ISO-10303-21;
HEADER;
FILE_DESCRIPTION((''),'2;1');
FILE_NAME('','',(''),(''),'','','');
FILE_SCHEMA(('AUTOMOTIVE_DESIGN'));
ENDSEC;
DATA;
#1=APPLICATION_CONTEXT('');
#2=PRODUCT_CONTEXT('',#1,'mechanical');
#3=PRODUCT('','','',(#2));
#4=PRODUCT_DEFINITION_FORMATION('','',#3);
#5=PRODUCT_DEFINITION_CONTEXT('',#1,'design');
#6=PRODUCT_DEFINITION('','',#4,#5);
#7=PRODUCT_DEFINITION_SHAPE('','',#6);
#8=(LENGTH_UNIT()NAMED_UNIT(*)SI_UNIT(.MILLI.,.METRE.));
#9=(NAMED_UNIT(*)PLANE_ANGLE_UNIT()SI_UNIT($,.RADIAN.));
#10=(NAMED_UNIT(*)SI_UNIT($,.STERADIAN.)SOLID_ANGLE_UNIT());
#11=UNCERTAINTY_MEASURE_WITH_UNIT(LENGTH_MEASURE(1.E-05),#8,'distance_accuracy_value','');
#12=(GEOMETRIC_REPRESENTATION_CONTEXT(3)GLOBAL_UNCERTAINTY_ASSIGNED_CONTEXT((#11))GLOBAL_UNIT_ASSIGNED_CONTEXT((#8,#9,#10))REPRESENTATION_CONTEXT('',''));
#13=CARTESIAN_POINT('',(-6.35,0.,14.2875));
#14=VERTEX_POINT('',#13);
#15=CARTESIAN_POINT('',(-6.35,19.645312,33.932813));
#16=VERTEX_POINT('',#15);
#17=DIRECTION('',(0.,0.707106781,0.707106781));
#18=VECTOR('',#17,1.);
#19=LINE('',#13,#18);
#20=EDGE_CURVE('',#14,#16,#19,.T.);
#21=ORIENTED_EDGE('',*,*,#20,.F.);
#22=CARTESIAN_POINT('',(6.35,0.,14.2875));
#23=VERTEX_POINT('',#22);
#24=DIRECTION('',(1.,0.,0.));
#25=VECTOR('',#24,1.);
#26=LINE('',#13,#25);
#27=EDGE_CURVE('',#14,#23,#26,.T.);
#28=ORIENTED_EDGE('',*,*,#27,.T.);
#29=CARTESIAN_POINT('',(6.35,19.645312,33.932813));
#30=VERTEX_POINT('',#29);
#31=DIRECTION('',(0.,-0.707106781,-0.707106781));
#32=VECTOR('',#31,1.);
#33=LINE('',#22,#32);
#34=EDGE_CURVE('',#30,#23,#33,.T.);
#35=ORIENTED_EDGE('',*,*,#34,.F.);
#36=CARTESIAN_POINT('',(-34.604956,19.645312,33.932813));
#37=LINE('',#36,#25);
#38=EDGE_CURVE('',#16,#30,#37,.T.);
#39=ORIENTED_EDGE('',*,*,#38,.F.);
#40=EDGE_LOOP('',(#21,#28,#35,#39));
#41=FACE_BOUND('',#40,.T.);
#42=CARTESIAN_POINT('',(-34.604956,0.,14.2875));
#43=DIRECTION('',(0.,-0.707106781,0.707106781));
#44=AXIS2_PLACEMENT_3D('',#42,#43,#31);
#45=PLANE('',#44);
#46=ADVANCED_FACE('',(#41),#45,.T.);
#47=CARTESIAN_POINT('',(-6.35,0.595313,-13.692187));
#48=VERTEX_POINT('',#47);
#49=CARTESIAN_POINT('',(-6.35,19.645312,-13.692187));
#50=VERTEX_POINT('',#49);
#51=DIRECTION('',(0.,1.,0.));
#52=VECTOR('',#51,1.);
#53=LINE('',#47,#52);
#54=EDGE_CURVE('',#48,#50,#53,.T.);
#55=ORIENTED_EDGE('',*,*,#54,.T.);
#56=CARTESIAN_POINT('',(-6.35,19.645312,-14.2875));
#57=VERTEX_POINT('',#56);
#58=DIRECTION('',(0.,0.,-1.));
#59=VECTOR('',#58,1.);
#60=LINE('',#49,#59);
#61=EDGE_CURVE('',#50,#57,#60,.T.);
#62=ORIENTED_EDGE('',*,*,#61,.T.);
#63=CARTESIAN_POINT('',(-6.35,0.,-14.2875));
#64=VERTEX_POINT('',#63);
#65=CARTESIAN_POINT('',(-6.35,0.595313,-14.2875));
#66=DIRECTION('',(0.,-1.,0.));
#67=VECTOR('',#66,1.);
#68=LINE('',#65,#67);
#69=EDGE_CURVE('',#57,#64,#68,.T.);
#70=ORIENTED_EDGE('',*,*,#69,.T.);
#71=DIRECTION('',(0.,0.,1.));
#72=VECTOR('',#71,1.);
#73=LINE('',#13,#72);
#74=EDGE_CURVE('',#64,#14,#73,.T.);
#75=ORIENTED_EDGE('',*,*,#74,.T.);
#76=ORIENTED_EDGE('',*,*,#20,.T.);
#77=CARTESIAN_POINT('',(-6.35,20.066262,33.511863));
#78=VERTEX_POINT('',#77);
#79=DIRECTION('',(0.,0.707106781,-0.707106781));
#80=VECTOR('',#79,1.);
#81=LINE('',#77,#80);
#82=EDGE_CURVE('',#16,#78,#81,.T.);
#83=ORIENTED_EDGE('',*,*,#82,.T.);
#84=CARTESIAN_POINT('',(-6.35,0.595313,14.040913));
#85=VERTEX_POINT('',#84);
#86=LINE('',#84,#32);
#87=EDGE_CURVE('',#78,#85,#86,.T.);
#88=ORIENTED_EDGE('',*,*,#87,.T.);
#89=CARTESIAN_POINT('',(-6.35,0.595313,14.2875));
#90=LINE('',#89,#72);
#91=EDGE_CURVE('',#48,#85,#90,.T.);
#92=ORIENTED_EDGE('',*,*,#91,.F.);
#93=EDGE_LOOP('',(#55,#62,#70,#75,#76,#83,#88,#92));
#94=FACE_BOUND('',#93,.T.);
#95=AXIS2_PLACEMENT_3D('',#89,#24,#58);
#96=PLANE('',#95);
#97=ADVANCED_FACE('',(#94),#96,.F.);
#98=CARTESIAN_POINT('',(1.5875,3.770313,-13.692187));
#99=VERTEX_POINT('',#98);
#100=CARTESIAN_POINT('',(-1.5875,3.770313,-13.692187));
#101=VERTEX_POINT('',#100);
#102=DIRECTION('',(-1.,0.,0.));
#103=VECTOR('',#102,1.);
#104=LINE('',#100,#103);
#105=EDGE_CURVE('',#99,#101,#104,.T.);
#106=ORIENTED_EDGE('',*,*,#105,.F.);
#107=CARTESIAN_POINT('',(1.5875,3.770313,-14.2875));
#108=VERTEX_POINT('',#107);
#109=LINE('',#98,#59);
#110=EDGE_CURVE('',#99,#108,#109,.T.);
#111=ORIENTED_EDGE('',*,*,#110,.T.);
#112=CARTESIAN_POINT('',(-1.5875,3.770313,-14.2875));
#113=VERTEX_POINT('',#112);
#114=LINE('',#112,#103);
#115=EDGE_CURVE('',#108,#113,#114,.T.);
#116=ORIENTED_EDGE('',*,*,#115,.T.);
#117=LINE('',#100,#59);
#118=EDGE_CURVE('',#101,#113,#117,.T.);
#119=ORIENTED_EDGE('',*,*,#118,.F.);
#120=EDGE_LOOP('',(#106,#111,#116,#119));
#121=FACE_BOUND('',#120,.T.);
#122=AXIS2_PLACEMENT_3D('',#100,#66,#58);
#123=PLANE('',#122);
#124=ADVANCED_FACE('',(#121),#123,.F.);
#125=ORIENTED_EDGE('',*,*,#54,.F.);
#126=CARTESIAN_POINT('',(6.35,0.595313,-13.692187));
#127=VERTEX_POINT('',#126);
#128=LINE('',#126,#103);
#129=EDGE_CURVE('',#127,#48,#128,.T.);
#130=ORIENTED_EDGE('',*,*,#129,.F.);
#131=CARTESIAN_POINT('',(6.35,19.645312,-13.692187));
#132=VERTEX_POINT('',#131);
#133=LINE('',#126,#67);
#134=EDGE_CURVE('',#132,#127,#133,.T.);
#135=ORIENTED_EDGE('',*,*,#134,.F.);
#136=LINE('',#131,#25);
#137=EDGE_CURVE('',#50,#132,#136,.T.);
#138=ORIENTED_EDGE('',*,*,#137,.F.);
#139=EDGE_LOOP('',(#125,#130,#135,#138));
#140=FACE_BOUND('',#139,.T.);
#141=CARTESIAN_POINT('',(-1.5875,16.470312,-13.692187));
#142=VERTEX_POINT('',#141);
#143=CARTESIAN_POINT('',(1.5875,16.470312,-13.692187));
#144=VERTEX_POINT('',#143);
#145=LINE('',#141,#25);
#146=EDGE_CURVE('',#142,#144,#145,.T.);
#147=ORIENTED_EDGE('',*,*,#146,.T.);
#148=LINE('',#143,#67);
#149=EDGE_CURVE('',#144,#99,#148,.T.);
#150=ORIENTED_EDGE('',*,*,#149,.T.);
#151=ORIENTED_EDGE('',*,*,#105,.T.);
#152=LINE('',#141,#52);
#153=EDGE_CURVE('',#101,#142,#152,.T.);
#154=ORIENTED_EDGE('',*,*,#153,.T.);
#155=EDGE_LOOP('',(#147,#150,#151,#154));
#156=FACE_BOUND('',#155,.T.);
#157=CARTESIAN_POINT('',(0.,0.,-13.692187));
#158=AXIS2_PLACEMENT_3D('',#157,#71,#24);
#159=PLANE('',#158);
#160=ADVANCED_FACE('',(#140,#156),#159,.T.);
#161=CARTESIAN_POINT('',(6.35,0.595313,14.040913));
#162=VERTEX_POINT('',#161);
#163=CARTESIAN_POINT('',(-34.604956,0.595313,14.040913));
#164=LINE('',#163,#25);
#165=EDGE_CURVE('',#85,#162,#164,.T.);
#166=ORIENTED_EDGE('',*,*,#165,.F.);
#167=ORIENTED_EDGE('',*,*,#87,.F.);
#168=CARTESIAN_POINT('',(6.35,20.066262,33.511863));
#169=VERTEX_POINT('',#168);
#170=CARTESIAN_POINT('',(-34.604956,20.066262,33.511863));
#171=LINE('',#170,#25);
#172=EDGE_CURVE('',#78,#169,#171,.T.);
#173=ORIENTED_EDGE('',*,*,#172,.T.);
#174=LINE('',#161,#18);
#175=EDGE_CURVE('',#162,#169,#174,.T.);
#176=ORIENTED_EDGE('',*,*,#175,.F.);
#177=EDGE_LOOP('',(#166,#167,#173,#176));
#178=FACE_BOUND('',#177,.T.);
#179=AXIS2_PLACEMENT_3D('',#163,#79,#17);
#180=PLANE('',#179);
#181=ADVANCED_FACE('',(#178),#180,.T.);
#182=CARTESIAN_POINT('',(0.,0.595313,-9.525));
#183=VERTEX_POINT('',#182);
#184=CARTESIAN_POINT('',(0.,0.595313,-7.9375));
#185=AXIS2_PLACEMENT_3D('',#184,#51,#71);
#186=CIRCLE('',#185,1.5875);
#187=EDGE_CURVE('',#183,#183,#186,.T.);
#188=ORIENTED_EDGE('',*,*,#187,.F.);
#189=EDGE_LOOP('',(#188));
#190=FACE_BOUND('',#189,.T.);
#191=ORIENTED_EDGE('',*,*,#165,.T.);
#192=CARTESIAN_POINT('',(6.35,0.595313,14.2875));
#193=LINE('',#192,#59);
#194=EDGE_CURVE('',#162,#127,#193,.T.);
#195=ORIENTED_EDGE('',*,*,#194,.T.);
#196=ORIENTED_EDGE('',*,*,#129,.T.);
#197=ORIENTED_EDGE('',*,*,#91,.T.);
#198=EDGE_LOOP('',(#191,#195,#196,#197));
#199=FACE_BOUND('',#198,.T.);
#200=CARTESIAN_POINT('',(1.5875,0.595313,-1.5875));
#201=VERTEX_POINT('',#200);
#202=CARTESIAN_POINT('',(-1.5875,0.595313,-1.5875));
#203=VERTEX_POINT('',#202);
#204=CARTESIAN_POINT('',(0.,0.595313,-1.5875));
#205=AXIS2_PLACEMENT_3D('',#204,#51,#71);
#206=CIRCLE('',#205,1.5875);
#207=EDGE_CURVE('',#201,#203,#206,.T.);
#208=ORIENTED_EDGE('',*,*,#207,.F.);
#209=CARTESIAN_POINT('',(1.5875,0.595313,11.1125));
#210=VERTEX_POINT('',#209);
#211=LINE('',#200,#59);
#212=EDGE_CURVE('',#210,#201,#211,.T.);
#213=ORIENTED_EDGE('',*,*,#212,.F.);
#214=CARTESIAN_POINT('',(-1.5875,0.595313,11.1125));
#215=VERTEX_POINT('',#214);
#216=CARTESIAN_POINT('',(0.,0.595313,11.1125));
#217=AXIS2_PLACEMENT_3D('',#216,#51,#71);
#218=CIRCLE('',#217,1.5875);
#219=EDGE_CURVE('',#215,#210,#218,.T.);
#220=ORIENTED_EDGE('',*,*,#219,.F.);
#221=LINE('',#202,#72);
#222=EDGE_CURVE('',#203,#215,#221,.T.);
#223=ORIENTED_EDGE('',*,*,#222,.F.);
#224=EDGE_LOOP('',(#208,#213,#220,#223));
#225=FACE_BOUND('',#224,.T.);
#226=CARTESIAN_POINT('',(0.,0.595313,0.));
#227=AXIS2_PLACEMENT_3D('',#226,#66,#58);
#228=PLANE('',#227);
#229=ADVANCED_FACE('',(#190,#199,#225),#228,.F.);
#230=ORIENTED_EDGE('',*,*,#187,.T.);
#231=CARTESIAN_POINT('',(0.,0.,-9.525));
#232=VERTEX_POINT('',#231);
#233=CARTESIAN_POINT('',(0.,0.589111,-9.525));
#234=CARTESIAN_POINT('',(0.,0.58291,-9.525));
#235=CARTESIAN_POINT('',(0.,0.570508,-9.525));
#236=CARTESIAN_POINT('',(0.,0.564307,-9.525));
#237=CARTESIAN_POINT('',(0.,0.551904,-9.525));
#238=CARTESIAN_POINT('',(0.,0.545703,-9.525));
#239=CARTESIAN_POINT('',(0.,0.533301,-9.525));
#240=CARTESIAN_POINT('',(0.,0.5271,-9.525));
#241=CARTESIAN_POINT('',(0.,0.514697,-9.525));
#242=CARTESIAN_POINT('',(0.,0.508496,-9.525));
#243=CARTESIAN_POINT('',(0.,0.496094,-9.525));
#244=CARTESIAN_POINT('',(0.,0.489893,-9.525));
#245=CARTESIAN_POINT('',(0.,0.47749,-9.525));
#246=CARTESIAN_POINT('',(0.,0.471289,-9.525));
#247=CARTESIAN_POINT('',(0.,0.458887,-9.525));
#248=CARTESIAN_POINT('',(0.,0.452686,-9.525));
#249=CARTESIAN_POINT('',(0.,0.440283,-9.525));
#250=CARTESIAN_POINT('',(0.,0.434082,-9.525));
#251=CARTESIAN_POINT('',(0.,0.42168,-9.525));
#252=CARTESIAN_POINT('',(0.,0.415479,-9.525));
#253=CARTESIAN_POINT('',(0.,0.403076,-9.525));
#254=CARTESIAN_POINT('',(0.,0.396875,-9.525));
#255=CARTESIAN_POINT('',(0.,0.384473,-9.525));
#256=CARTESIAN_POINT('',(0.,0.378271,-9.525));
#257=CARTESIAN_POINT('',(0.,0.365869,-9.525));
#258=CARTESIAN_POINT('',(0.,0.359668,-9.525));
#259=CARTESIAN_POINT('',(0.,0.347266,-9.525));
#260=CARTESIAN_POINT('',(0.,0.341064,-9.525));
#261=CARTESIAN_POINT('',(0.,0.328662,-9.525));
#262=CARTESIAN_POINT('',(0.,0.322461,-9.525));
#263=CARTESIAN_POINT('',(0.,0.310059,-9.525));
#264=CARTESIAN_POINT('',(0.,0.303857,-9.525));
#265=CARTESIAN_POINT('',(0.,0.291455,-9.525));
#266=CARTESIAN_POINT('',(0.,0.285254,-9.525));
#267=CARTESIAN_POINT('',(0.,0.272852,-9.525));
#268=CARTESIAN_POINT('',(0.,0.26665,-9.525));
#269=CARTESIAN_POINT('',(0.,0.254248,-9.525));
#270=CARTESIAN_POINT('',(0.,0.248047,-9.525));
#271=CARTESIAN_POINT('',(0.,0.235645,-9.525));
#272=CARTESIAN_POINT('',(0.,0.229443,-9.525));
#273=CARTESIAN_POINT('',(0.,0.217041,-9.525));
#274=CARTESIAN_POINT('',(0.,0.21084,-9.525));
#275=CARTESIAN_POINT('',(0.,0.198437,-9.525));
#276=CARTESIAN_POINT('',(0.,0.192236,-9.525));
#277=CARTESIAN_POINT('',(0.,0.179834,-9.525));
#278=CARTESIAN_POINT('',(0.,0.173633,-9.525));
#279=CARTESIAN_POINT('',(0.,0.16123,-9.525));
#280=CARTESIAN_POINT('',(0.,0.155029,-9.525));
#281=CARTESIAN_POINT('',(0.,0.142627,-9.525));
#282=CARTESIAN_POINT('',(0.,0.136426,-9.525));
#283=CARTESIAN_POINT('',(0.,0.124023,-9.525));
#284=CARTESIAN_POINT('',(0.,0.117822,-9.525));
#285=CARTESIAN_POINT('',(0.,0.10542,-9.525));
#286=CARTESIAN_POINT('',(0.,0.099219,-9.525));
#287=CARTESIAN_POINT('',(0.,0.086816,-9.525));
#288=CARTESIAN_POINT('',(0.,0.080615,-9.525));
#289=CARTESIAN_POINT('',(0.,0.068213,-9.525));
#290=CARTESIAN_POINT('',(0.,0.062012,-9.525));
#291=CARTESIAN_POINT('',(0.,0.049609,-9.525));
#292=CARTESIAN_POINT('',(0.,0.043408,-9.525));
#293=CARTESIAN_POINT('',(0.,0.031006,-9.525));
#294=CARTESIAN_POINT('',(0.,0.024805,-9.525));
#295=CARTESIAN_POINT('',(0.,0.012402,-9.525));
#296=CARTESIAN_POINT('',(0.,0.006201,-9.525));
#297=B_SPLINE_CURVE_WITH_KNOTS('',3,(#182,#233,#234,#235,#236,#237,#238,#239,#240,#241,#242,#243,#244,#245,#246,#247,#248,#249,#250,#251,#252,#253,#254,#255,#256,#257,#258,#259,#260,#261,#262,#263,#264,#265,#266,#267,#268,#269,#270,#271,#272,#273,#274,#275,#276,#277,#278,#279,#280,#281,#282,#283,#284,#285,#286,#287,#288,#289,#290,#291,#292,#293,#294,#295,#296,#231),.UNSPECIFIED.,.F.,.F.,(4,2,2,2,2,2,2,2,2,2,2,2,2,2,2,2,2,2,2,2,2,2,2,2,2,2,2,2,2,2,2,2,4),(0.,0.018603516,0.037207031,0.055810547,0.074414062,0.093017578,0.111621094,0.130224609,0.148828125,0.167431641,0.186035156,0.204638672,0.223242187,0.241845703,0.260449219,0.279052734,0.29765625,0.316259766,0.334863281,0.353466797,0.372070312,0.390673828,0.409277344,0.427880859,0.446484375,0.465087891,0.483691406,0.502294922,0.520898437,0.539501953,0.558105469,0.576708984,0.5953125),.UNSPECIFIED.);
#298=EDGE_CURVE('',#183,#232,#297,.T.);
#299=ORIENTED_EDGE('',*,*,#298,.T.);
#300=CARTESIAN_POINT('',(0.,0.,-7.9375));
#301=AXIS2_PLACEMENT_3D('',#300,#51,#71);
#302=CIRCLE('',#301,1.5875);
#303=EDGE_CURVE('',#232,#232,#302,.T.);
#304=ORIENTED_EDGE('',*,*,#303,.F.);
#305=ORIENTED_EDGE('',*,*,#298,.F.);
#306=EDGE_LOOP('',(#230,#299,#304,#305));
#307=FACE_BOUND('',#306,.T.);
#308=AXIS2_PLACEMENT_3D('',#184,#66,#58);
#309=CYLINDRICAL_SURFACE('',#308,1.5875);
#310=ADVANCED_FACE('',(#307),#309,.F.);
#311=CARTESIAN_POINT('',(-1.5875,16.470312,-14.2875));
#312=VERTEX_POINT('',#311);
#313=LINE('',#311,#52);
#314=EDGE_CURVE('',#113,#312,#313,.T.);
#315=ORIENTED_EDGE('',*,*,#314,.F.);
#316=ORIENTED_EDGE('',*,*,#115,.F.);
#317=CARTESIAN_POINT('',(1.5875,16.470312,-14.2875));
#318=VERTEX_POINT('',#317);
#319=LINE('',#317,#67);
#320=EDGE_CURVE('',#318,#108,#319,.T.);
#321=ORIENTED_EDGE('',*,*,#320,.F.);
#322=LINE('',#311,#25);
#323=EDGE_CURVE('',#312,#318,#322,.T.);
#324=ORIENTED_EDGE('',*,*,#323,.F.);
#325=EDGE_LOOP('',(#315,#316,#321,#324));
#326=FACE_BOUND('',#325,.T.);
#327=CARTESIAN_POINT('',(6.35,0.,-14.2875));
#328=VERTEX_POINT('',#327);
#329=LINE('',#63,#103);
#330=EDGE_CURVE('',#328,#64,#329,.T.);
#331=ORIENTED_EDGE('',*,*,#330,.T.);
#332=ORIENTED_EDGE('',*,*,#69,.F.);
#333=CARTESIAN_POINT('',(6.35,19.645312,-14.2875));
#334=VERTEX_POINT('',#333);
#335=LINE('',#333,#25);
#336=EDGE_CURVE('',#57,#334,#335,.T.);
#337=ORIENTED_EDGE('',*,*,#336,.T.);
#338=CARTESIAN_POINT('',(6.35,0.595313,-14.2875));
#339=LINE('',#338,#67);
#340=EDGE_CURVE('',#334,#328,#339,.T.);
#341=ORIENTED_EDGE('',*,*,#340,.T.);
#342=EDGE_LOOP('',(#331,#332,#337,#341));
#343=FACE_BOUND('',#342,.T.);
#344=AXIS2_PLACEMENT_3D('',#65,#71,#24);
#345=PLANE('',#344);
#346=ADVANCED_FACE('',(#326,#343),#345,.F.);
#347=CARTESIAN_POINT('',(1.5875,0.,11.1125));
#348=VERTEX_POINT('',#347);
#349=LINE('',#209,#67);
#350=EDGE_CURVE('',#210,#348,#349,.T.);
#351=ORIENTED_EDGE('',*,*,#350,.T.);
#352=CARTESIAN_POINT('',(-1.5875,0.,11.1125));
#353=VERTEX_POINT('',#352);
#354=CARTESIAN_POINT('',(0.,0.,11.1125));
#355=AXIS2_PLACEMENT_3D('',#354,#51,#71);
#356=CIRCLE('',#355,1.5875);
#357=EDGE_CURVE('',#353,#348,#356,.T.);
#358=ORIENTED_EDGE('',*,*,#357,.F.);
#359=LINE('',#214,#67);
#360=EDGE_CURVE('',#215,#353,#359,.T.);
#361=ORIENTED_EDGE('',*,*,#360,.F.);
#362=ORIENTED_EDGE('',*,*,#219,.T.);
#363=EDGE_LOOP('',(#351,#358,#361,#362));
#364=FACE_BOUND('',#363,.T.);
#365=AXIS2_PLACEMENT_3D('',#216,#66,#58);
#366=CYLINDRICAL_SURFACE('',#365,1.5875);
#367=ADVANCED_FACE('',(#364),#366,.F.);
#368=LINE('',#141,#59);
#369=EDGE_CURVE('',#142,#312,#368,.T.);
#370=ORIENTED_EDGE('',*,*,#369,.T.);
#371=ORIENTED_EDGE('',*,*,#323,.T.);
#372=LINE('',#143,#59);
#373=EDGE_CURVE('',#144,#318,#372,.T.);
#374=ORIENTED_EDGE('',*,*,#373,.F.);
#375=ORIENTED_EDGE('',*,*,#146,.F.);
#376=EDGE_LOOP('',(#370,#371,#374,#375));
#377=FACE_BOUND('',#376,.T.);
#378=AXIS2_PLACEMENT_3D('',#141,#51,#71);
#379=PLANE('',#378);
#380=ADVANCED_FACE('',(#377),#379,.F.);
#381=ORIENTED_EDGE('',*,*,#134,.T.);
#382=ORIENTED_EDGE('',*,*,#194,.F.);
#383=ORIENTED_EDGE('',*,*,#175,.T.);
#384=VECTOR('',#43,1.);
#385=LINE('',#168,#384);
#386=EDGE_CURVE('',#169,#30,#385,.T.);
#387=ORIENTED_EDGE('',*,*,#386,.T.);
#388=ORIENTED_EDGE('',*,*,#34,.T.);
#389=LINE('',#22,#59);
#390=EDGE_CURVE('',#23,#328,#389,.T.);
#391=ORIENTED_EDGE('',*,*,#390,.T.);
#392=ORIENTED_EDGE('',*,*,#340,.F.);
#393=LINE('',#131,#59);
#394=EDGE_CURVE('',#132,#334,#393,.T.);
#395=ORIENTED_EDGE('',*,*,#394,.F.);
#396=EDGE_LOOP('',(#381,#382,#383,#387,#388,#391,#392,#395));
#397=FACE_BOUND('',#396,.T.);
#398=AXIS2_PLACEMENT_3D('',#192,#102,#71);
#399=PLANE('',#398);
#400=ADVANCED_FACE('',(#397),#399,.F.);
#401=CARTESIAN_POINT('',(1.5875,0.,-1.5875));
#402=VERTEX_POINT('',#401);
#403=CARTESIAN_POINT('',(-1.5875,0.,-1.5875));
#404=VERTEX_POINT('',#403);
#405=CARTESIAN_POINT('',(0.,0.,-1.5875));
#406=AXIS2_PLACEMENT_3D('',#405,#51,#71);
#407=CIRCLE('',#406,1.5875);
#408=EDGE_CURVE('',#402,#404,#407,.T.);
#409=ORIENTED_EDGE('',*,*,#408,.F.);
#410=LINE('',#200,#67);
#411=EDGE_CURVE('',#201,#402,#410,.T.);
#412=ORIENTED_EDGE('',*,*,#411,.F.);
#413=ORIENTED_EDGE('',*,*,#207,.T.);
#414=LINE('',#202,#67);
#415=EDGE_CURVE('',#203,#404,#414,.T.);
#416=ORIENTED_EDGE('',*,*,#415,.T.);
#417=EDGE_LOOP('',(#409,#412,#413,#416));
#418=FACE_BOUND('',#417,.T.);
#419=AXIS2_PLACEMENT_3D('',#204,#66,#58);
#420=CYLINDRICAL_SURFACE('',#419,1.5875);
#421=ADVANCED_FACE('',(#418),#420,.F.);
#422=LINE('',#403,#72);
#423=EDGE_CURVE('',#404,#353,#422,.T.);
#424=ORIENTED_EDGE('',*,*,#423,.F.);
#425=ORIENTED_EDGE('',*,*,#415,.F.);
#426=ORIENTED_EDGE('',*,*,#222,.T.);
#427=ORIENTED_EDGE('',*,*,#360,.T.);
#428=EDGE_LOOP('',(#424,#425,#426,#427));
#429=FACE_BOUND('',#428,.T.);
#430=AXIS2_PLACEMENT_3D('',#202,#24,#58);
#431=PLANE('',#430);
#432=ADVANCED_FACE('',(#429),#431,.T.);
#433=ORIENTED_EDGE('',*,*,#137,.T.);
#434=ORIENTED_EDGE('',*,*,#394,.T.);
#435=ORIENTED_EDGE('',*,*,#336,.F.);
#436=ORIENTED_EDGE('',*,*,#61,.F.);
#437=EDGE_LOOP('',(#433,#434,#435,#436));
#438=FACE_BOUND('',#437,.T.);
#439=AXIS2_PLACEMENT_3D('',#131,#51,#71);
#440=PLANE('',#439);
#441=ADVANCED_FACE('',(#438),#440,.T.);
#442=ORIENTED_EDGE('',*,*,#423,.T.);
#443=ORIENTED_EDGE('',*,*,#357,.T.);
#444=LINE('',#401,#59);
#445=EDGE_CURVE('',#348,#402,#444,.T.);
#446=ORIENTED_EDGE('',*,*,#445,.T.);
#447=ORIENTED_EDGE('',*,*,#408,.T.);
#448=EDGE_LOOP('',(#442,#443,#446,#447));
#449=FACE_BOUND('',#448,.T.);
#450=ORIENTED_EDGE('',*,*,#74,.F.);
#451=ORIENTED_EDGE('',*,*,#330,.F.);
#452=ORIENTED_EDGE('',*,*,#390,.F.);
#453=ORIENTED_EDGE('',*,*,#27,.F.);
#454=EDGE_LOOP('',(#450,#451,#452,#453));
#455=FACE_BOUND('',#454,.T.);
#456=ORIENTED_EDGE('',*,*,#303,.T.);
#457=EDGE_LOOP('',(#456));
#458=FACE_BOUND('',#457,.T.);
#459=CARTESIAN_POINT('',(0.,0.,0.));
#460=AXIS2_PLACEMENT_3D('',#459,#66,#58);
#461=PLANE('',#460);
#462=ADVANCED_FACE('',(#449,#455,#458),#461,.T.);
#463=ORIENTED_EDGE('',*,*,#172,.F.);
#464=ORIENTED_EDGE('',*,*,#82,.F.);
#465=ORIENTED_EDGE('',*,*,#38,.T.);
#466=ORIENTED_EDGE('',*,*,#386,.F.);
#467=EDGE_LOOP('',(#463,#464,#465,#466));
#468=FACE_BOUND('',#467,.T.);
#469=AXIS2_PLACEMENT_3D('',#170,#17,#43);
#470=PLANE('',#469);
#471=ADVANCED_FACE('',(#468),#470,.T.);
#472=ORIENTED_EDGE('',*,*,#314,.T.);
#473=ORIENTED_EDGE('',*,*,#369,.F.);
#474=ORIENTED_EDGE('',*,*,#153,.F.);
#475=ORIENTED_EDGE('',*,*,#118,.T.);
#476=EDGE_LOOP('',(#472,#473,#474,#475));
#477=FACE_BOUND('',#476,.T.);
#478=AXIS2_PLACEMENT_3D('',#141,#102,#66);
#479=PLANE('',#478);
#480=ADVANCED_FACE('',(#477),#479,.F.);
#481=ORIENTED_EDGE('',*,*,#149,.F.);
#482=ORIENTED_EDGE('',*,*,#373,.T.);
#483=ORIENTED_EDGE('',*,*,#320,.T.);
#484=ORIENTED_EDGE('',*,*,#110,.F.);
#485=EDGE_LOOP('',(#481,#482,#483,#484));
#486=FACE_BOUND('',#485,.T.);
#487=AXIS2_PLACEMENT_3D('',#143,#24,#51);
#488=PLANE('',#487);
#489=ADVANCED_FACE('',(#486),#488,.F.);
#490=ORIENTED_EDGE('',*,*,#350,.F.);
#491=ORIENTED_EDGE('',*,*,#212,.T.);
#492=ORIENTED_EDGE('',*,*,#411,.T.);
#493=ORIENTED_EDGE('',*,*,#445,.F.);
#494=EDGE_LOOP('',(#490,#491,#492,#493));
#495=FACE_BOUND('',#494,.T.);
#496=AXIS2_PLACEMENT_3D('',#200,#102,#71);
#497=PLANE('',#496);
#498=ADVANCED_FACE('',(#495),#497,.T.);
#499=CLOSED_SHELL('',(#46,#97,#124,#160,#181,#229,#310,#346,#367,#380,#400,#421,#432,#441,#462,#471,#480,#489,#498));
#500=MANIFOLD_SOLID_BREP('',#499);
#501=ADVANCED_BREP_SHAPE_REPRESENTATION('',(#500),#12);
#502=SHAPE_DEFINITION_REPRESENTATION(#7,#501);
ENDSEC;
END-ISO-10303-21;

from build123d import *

# Parameters (mm, degrees)
SKETCH1_W           = 12.7
SKETCH1_H           = 28.575
SKETCH1_R           = 1.5875
BOSS_EXTRUDE1_DEPTH = 0.5953125
SKETCH3_W           = 12.7
SKETCH3_H           = 19.05
SKETCH3_W_2         = 3.175
SKETCH3_H_2         = 12.7
BOSS_EXTRUDE2_DEPTH = 0.5953125
BOSS_EXTRUDE3_DEPTH = 12.7


with BuildPart() as part:
    # Sketch1 → Boss-Extrude1 (new body)
    with BuildSketch(Plane(origin=(0, 0, 0), x_dir=(1, 0, 0), z_dir=(0, 1, 0))):
        Rectangle(SKETCH1_W, SKETCH1_H)
        with Locations(Location((0, 7.9375, 0), (0, 0, 90))):
            Circle(SKETCH1_R, mode=Mode.SUBTRACT)
        with BuildLine():
            Line((1.5875, 1.5875), (1.5875, -11.1125))
            ThreePointArc((1.5875, -11.1125), (0, -12.7), (-1.5875, -11.1125))
            Line((-1.5875, -11.1125), (-1.5875, 1.5875))
            ThreePointArc((-1.5875, 1.5875), (0, 3.175), (1.5875, 1.5875))
        make_face(mode=Mode.SUBTRACT)
    extrude(amount=BOSS_EXTRUDE1_DEPTH)

    # Sketch3 → Boss-Extrude2 (add)
    with BuildSketch(Plane(origin=(0, 0, -14.2875), x_dir=(-1, 0, 0), z_dir=(0, 0, -1))):
        with Locations((0, 10.1203125)):
            Rectangle(SKETCH3_W, SKETCH3_H)
        with Locations((0, 10.1203125)):
            Rectangle(SKETCH3_W_2, SKETCH3_H_2, mode=Mode.SUBTRACT)
    extrude(amount=-BOSS_EXTRUDE2_DEPTH)

    # Sketch4 → Boss-Extrude3 (add)
    with BuildSketch(Plane(origin=(6.35, 0, 0), x_dir=(0, 0, -1), z_dir=(1, 0, 0))):
        Polygon((-14.2875, 0), (-33.9328125, 19.6453125), (-33.511862994, 20.066262006), (-14.040913489, 0.5953125), (-14.2875, 0.5953125), align=None)
    extrude(amount=-BOSS_EXTRUDE3_DEPTH)


solid = part.part
